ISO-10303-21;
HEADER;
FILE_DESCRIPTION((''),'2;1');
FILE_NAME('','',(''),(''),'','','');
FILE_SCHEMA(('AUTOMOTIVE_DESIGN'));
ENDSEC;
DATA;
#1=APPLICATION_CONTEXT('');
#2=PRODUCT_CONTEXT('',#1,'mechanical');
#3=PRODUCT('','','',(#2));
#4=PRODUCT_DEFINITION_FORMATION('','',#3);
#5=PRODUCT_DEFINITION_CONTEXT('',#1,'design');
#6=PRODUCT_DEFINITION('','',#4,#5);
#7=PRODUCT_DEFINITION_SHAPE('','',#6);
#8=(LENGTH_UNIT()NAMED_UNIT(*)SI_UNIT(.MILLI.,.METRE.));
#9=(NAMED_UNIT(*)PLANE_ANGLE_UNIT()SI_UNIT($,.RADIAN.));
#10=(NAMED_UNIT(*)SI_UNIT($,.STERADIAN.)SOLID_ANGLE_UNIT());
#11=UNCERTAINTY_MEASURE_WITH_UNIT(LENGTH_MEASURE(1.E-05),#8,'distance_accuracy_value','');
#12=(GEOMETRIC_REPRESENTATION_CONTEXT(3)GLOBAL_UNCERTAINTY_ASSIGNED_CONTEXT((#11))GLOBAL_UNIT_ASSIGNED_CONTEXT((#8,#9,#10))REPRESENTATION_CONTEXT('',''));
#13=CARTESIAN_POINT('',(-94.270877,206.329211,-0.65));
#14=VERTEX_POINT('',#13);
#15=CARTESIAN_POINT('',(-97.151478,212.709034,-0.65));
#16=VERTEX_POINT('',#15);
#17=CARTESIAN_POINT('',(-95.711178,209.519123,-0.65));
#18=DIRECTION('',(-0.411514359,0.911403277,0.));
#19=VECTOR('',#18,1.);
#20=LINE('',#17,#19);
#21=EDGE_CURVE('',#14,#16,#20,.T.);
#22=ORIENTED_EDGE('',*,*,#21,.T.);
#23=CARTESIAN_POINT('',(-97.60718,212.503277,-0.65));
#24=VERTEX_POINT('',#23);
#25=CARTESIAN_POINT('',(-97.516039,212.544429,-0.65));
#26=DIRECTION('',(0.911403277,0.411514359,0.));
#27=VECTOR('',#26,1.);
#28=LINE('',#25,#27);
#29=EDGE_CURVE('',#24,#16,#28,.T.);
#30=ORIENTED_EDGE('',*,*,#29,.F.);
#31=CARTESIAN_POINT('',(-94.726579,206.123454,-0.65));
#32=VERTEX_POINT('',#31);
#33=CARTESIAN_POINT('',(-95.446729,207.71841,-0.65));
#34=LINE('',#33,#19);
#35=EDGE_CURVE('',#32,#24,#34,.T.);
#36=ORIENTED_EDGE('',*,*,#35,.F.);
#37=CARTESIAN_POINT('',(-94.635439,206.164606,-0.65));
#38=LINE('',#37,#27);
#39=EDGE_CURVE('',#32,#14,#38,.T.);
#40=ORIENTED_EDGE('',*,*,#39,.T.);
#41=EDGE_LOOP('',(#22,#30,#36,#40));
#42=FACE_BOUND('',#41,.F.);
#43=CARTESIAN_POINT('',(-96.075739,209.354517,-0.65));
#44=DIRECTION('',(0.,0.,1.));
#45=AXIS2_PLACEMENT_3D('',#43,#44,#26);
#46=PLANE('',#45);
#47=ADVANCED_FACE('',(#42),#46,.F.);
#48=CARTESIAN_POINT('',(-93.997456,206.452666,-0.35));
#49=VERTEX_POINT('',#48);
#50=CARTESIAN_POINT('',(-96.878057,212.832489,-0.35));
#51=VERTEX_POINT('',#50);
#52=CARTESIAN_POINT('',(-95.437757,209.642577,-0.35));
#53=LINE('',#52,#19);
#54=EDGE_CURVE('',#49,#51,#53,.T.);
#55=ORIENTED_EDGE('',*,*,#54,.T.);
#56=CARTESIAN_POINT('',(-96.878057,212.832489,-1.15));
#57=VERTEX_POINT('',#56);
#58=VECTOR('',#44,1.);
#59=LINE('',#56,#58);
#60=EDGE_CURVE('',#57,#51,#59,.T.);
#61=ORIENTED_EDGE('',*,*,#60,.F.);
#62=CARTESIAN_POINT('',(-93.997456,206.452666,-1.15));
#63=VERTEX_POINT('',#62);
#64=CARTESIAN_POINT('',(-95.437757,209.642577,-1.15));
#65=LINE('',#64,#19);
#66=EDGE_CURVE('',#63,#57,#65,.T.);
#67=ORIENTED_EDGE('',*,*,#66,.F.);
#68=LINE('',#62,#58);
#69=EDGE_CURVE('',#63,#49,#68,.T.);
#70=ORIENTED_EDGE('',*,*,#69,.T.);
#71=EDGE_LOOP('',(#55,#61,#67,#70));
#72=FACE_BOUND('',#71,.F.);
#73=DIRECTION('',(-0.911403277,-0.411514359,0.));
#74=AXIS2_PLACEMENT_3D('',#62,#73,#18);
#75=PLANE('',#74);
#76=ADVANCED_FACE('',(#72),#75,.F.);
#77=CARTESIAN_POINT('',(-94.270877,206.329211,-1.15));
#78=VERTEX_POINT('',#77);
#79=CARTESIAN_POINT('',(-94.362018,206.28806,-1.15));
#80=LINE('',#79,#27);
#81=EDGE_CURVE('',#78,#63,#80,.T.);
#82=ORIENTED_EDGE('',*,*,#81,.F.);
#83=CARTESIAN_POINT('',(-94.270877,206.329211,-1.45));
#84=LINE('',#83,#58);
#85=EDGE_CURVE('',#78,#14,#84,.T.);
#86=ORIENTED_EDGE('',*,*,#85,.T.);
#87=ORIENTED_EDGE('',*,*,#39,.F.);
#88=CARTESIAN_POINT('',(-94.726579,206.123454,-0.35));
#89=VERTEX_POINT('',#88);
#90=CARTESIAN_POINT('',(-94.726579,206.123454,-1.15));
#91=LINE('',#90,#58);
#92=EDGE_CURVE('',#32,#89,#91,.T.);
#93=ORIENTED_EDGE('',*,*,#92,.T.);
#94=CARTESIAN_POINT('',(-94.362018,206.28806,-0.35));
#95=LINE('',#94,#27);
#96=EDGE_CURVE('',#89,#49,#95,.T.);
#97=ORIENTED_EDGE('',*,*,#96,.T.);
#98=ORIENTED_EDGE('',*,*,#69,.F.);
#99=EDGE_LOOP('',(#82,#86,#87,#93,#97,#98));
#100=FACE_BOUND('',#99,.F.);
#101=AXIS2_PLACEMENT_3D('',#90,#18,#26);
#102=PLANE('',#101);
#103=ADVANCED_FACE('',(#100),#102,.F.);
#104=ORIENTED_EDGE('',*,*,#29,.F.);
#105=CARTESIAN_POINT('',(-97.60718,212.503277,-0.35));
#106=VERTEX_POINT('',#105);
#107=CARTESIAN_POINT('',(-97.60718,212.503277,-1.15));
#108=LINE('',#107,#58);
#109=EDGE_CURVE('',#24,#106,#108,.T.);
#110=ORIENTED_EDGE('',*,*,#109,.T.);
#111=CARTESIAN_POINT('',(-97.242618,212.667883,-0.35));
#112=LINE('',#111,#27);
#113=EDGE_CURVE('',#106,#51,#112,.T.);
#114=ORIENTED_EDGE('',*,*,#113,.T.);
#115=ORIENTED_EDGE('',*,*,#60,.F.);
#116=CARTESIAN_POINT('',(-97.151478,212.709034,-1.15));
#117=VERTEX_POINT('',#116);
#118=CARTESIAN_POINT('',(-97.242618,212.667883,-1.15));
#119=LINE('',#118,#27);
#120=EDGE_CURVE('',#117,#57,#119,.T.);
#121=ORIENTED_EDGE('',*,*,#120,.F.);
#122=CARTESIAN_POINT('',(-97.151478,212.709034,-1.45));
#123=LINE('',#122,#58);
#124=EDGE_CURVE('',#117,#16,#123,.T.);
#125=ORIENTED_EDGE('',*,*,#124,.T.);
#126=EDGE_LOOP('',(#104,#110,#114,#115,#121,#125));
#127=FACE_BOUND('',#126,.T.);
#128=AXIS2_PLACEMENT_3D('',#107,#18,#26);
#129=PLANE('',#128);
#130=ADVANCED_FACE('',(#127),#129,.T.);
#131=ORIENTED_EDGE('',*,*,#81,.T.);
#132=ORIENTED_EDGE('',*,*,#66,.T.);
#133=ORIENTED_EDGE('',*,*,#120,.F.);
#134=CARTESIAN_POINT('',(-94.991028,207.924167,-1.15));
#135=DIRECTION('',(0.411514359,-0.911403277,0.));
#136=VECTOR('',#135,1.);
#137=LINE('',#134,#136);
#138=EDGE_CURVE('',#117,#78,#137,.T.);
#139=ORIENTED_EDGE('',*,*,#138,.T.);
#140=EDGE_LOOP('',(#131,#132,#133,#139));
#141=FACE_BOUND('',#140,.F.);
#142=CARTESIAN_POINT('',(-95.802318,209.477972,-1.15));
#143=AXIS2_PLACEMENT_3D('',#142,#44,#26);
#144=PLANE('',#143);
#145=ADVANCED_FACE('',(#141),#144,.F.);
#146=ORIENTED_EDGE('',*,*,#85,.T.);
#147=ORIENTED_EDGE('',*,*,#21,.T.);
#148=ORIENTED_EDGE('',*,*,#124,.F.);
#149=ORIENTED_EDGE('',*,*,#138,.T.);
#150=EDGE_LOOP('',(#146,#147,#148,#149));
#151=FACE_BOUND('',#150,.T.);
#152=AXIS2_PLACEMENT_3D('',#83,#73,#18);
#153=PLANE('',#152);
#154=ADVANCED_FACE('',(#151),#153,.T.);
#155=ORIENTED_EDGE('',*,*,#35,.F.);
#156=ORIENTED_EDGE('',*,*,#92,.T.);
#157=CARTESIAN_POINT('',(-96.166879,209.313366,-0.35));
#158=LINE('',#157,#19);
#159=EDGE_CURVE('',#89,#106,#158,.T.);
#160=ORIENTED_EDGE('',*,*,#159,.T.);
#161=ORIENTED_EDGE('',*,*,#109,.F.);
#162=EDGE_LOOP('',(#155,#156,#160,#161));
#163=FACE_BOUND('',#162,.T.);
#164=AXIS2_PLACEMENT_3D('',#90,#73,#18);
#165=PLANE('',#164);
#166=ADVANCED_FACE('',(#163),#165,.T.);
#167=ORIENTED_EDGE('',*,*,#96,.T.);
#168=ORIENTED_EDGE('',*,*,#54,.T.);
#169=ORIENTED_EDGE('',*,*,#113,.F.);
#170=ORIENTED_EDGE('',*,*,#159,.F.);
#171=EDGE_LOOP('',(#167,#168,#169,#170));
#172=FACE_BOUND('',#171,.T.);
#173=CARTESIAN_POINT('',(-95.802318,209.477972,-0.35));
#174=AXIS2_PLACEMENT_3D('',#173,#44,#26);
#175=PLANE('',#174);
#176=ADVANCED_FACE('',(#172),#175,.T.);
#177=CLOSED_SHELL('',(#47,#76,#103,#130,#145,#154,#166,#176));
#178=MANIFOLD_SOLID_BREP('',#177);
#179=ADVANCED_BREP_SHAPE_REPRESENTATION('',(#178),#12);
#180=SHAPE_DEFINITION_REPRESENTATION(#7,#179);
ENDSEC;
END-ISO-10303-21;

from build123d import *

# Parameters (mm, degrees)
BOX147_W               = 0.8
BOX147_H               = 7
BOX147_DEPTH           = 0.8
BOX148_W               = 0.8
BOX148_H               = 7
BOX148_DEPTH           = 0.8
CUT077_PLACEMENT_ANGLE = 24.3


with BuildPart() as cubo147:
    # Box147 → Box147 (new body)
    with BuildSketch(Plane.XY):
        with Locations((0.4, 3.5)):
            Rectangle(BOX147_W, BOX147_H)
    extrude(amount=BOX147_DEPTH)


with BuildPart() as perfil_l_2da_cara019:
    # Box148 → Box148 (new body)
    with BuildSketch(Plane(origin=(0.3, 0, 0.3), x_dir=(1, 0, 0), z_dir=(0, 0, 1))):
        with Locations((0.4, 3.5)):
            Rectangle(BOX148_W, BOX148_H)
    extrude(amount=BOX148_DEPTH)

    # Cut077: cut Cubo147
    add(cubo147.part, mode=Mode.SUBTRACT)


with BuildPart() as perfil_l_2da_cara019_1:
    # Cut077 placement: moved
    add(perfil_l_2da_cara019.part.moved(Location((-95, 206, -1.45))).rotate(Axis((-95, 206, -1.45), (0, 0, 1)), CUT077_PLACEMENT_ANGLE))


solid = perfil_l_2da_cara019_1.part
